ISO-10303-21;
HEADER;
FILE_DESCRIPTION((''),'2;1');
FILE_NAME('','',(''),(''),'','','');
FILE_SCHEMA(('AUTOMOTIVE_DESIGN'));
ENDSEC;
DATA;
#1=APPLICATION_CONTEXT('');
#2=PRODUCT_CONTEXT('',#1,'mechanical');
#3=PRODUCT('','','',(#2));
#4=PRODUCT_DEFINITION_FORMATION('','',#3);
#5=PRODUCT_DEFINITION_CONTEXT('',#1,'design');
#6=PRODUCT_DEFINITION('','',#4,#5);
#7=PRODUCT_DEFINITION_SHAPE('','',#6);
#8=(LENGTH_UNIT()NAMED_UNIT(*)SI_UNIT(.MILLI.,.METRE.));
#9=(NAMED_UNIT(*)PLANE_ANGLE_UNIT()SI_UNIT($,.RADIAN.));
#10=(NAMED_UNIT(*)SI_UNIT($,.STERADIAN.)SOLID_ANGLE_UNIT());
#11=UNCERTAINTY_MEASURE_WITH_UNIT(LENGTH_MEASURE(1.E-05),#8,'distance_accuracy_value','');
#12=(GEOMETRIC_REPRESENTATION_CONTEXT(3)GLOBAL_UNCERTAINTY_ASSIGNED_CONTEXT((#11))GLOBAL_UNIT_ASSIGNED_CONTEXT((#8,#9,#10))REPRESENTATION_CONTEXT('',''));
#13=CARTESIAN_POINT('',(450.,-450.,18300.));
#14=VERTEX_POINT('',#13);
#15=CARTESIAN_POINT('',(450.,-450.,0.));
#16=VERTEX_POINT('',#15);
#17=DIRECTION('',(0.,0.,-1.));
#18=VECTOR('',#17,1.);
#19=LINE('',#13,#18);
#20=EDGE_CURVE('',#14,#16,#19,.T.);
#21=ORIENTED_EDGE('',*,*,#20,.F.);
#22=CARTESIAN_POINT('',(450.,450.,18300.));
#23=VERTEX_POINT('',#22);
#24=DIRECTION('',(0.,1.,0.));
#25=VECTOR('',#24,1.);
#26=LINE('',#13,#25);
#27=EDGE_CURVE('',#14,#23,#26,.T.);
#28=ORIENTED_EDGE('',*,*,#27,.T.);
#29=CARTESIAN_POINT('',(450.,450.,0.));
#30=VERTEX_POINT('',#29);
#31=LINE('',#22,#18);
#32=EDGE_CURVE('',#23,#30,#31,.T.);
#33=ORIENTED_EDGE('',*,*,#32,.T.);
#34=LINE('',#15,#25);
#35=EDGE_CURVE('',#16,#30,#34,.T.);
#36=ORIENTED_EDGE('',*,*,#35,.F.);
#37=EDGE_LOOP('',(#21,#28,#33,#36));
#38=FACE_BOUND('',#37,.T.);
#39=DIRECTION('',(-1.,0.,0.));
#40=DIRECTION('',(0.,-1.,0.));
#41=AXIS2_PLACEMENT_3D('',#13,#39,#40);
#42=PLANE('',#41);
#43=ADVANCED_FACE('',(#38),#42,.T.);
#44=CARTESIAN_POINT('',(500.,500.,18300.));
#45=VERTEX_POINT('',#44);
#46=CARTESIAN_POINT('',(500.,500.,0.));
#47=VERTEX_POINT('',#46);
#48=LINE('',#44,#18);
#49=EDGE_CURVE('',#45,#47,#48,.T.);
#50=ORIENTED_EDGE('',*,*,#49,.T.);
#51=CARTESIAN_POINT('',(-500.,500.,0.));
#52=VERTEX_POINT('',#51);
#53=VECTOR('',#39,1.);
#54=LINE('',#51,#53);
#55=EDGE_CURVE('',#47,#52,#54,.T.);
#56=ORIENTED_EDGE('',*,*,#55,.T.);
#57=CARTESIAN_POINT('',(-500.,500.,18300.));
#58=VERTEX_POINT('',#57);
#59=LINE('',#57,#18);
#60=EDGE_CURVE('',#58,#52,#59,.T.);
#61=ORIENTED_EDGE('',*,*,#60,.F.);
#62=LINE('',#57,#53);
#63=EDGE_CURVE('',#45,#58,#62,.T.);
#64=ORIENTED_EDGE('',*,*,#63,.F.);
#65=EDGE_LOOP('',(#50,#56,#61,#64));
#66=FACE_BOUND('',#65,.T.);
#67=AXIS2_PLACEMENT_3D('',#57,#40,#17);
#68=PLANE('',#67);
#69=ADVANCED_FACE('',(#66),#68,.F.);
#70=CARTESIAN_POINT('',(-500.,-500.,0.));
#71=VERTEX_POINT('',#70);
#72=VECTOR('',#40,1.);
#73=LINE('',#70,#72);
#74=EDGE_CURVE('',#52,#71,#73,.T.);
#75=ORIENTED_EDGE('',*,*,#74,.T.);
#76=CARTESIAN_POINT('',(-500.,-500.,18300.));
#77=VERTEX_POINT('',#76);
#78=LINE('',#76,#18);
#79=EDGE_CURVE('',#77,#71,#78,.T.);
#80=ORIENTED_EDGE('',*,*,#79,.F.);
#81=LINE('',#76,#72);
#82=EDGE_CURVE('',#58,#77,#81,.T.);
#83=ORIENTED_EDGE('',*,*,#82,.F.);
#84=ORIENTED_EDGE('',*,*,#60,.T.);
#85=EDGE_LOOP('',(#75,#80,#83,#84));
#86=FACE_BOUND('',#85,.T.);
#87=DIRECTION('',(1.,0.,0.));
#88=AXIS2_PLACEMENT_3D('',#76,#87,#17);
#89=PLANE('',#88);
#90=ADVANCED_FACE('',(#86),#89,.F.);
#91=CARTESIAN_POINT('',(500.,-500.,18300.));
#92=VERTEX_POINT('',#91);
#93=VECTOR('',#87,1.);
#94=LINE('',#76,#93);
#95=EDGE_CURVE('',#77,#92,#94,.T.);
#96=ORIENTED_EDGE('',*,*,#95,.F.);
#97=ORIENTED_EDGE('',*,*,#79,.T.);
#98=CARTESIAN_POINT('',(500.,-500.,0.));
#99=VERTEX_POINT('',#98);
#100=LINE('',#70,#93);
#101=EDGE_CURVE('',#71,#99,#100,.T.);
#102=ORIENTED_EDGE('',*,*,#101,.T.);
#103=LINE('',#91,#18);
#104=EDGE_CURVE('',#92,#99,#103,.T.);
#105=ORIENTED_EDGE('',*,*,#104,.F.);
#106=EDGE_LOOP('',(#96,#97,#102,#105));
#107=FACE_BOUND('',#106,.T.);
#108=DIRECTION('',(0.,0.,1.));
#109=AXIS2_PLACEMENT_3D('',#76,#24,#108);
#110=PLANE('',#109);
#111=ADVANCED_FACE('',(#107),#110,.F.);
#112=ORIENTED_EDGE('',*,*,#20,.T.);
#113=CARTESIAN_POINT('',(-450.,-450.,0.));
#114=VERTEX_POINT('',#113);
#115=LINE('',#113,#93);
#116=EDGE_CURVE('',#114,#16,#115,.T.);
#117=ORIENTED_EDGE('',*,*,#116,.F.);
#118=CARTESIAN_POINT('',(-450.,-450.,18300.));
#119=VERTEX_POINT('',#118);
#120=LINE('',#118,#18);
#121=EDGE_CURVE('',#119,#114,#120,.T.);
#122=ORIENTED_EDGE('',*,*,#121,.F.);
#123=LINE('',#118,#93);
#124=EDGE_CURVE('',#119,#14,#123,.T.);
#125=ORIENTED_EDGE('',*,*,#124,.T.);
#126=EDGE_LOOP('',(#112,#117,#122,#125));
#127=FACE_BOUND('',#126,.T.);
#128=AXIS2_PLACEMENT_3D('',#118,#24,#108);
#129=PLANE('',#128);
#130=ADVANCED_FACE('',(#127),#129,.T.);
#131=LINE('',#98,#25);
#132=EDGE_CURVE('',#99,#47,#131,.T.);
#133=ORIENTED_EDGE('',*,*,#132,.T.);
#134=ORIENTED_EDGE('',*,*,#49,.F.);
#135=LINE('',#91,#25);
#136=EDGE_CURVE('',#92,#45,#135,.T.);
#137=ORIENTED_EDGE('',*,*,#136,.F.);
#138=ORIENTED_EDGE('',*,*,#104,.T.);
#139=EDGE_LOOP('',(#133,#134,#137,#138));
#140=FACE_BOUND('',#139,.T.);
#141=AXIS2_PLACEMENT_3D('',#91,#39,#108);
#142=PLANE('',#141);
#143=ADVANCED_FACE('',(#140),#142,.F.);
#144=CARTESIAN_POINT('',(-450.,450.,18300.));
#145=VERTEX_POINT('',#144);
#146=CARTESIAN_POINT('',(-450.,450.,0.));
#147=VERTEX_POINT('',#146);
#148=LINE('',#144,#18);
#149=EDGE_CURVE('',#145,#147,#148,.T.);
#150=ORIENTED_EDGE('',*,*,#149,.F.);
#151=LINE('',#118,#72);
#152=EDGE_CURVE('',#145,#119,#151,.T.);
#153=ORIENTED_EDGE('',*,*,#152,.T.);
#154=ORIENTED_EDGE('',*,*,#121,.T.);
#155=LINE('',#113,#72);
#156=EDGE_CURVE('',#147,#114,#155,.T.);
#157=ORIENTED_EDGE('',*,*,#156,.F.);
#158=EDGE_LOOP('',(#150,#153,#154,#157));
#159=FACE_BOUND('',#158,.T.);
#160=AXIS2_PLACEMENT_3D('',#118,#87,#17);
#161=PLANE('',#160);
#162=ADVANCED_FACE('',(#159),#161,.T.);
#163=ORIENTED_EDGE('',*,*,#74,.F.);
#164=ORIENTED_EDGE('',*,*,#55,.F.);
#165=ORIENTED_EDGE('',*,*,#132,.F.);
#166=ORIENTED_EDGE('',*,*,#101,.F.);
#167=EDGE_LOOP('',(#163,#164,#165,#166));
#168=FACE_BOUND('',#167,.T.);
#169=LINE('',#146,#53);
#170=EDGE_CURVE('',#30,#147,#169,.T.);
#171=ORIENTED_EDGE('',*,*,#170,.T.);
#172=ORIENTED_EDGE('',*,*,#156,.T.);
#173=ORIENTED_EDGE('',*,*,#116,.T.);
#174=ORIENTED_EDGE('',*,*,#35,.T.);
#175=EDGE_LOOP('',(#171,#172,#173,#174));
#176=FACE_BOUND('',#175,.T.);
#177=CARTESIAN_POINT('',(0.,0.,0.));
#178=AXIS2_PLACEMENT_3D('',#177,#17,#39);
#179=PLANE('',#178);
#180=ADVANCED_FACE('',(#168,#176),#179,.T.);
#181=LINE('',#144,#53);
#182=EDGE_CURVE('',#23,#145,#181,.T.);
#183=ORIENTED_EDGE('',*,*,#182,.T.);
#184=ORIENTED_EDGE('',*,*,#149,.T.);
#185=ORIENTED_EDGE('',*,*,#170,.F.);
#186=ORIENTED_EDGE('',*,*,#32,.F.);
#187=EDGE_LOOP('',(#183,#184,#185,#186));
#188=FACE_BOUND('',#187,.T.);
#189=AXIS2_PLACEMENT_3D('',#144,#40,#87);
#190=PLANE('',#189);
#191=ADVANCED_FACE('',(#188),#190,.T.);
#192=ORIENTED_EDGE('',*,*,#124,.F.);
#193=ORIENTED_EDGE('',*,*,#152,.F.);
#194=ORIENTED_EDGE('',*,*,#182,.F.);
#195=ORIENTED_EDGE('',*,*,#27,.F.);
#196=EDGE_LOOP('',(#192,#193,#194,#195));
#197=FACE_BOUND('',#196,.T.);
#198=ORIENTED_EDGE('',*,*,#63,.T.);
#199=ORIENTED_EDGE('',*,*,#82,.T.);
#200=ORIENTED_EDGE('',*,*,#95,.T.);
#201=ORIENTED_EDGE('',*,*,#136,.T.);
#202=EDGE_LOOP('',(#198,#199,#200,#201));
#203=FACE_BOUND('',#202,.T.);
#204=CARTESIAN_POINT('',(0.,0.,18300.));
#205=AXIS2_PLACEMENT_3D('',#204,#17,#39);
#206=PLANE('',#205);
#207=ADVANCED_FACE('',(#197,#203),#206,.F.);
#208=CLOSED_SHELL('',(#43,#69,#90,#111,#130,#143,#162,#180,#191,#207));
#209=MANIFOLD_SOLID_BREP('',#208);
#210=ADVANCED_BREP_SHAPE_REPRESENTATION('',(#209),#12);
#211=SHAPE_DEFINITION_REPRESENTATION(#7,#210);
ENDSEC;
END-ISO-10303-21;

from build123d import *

# Parameters (mm, degrees)
ESQUISSE1_W        = 1000
ESQUISSE1_H        = 1000
ESQUISSE1_W_2      = 900
ESQUISSE1_H_2      = 900
BOSS_EXTRU_1_DEPTH = 18300


with BuildPart() as part:
    # Esquisse1 → Boss.-Extru.1 (new body)
    with BuildSketch(Plane.XY):
        Rectangle(ESQUISSE1_W, ESQUISSE1_H)
        Rectangle(ESQUISSE1_W_2, ESQUISSE1_H_2, mode=Mode.SUBTRACT)
    extrude(amount=BOSS_EXTRU_1_DEPTH)


solid = part.part
